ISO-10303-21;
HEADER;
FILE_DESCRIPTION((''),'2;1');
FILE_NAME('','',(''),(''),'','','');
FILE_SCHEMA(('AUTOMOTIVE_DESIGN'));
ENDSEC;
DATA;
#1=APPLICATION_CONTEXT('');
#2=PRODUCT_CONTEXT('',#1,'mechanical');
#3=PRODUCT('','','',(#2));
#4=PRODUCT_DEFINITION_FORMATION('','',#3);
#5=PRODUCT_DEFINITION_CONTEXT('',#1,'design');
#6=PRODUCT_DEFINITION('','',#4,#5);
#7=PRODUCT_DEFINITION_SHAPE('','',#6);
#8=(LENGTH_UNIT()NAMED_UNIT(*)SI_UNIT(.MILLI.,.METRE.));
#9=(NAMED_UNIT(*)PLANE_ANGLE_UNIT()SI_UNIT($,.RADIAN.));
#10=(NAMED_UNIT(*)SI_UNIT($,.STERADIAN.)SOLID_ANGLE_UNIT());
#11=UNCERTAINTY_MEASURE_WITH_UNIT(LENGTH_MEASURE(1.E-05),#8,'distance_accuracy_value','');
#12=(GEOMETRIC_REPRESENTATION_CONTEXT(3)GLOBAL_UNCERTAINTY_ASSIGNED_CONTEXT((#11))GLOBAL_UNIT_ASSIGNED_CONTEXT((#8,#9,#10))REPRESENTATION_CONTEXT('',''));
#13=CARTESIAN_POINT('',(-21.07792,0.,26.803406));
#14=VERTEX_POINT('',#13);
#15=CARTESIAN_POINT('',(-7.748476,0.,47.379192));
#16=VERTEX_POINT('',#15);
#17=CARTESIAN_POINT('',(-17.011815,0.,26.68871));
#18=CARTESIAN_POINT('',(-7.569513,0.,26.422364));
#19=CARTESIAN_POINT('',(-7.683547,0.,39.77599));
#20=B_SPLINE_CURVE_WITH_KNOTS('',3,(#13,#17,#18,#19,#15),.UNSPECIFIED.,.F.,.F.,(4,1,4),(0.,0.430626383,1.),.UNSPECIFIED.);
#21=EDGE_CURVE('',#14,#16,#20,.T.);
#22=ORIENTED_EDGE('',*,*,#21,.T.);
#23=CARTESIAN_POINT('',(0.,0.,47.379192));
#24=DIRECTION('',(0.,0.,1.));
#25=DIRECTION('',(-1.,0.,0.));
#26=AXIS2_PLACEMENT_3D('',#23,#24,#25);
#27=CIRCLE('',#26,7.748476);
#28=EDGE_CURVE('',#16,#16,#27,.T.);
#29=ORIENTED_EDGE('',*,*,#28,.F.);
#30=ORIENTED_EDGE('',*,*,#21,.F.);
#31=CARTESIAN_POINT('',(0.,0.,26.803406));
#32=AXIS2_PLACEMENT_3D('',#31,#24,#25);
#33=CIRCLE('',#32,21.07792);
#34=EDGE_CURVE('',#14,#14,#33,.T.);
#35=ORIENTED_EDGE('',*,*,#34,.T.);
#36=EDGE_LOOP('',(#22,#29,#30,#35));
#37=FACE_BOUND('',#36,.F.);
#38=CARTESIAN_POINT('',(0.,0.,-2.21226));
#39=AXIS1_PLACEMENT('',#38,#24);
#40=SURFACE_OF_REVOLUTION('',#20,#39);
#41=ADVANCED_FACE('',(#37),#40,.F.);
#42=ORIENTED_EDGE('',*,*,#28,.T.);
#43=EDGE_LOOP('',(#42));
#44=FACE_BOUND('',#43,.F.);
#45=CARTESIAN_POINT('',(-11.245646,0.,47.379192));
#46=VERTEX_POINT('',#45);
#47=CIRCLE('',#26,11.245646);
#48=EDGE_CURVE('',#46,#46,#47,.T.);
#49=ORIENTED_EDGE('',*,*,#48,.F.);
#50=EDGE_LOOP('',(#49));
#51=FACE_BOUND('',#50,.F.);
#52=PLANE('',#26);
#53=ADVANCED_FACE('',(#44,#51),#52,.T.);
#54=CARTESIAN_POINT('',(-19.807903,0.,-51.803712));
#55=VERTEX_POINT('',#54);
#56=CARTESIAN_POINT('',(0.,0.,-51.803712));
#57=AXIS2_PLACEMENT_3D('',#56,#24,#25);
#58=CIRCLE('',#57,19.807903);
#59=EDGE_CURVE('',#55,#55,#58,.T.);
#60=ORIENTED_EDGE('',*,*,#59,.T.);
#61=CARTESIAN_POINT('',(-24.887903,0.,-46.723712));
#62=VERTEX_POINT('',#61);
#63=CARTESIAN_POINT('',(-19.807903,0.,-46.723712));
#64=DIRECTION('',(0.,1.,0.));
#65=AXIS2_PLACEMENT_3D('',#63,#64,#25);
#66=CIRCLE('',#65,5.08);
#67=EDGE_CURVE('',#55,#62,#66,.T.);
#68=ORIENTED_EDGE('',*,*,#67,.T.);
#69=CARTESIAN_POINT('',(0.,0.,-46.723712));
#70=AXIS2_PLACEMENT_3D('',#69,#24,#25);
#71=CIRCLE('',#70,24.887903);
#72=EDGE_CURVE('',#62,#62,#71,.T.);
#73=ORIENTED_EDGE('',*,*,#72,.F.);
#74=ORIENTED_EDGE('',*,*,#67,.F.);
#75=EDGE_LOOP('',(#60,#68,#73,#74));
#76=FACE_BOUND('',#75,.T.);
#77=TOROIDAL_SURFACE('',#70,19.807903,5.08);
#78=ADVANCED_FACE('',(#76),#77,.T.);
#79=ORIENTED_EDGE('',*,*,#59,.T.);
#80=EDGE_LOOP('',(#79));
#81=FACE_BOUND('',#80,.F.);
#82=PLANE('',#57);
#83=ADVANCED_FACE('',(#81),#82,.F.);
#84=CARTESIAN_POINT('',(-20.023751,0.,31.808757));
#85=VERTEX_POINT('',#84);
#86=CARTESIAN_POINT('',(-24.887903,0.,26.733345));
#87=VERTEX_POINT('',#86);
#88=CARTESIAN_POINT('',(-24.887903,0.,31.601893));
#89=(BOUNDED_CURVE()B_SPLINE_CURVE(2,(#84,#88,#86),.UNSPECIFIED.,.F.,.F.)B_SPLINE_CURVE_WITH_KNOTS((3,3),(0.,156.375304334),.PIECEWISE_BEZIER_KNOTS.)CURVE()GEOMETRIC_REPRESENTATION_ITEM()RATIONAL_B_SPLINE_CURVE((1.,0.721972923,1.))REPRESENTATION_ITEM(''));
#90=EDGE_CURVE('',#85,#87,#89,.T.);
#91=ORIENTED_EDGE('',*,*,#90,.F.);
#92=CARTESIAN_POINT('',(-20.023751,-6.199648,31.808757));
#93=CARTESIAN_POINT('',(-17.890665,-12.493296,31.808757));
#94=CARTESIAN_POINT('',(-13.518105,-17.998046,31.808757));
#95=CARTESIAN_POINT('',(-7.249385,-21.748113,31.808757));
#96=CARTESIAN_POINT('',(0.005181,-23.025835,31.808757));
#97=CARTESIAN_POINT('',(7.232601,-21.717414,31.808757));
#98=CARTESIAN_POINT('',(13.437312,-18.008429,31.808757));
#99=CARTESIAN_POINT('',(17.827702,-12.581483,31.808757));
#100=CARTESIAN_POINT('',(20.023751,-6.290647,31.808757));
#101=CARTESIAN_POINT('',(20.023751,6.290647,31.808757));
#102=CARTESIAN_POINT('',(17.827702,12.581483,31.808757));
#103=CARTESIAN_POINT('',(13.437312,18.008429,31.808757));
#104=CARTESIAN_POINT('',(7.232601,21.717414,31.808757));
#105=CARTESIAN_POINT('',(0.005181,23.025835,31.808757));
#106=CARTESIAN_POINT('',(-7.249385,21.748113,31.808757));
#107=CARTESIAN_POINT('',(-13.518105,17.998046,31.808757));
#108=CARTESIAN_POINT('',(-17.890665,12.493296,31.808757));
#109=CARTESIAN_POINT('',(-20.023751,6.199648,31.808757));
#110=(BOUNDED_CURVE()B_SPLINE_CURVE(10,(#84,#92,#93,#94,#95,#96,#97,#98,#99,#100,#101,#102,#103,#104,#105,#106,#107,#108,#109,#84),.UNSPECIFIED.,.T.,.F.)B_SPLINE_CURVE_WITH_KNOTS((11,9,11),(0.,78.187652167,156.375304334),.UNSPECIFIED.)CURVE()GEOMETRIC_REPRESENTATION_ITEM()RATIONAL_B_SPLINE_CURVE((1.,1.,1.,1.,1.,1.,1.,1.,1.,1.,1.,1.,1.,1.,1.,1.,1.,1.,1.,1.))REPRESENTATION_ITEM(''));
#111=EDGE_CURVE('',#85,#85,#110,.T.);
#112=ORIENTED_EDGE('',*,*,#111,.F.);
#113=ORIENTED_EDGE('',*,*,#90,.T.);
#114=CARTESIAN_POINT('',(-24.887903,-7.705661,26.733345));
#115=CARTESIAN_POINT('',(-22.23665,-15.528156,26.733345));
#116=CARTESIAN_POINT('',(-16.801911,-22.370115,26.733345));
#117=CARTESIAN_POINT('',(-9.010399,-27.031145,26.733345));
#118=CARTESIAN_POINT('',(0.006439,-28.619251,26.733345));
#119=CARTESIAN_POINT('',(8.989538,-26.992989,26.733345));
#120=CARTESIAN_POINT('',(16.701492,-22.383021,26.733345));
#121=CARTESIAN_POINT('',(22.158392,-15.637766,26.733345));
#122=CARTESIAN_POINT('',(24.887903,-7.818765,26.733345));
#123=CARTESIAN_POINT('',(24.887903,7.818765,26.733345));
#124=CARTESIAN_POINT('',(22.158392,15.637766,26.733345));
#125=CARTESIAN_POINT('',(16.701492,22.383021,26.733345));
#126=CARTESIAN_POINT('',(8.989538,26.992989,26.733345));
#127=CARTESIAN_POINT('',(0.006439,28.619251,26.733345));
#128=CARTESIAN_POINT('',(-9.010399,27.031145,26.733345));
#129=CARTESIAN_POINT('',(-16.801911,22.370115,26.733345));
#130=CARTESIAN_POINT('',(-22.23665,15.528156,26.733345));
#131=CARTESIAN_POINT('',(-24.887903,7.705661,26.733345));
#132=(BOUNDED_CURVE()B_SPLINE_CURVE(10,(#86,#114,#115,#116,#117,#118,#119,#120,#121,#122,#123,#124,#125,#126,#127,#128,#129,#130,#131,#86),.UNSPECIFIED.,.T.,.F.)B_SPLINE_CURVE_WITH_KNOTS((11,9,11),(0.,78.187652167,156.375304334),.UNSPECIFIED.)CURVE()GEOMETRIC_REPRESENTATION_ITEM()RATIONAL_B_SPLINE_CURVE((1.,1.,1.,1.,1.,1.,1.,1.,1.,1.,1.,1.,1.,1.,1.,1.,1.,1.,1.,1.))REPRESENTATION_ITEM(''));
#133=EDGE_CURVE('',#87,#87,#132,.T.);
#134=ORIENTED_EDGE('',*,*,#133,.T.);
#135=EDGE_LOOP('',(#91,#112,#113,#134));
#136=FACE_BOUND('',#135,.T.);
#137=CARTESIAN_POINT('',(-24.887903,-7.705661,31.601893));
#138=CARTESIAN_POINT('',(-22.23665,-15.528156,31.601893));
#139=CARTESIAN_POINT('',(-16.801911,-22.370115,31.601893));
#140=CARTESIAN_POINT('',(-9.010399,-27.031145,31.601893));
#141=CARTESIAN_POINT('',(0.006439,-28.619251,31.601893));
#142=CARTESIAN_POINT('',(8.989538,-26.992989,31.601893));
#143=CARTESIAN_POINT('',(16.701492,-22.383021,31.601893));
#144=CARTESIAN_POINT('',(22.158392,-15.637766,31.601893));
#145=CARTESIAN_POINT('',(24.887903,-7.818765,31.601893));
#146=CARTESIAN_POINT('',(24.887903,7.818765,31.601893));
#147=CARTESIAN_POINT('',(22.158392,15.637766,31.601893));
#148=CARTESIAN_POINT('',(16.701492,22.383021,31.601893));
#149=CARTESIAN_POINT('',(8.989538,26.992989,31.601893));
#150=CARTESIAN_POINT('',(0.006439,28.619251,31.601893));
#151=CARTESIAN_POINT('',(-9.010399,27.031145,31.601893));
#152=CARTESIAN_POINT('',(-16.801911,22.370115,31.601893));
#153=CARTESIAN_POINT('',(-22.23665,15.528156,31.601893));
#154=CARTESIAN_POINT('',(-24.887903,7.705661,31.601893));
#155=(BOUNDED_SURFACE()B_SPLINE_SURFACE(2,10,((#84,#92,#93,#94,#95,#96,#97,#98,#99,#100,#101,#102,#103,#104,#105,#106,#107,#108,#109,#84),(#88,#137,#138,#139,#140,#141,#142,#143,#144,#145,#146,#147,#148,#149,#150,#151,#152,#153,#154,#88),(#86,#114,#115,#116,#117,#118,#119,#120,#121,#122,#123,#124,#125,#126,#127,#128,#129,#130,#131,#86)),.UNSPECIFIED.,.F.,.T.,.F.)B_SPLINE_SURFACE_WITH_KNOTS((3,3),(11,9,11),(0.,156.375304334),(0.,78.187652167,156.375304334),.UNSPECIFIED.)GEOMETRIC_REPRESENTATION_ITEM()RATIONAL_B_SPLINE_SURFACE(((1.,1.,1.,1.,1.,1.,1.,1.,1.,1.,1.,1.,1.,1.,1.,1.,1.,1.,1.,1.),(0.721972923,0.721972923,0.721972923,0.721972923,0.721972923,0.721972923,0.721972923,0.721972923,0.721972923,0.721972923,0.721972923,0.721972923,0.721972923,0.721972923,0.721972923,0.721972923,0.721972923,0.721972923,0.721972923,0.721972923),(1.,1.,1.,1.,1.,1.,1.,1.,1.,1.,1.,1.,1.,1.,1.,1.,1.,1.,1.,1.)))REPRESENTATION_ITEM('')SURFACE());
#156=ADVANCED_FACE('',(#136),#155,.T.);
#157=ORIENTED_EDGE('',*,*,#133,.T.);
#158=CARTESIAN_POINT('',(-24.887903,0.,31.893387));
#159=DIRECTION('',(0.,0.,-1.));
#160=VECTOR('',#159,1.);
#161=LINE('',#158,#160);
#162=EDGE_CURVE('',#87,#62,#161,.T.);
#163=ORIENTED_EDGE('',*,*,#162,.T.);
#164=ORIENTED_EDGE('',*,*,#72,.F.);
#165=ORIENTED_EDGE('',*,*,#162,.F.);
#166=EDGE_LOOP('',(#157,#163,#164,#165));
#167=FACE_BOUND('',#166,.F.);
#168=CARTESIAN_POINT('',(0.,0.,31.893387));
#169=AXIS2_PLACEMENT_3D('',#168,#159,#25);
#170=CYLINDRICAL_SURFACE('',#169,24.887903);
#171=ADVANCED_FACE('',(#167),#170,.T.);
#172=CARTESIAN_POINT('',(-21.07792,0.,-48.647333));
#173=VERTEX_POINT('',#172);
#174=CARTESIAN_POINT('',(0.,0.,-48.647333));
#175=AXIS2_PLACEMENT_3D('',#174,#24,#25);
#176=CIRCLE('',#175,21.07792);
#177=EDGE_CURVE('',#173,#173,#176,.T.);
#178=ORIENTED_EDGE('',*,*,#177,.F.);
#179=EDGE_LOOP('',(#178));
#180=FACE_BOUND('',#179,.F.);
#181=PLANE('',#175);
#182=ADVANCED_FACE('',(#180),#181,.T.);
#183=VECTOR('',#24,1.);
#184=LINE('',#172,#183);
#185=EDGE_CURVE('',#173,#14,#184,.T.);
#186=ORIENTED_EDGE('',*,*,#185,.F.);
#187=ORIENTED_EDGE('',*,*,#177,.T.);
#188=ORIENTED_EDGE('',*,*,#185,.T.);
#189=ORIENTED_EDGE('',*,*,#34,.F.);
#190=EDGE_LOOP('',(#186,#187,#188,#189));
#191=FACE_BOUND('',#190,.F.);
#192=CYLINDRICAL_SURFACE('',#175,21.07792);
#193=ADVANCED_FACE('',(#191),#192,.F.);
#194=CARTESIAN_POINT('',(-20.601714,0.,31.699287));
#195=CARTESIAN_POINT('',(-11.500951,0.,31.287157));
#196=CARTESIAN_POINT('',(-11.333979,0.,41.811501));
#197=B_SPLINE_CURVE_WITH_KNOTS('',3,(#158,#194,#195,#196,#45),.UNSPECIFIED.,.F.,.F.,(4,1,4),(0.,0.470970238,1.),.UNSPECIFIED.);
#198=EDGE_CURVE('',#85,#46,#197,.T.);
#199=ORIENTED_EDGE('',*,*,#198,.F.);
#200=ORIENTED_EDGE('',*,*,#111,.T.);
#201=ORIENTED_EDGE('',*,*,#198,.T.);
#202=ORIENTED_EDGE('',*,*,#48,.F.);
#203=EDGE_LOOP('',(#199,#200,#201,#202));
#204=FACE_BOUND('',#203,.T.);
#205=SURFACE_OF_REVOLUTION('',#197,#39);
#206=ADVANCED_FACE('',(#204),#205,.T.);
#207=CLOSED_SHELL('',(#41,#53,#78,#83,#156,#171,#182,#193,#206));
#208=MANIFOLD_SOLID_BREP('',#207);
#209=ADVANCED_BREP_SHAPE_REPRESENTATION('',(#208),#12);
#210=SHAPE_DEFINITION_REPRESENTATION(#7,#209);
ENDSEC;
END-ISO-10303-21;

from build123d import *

# Parameters (mm, degrees)
F2_R = 5.08


with BuildPart() as f1:
    # F0 (on Front) → F1 (revolve)
    with BuildSketch(Plane.XZ):
        with BuildLine():
            add(Edge.make_bspline(
                [(-24.8879026622, 31.8933874369), (-20.6017141272, 31.6992866838), (-11.5009510836, 31.2871571318), (-11.333978859, 41.8115008895), (-11.2456455827, 47.3791919649)],
                knots=[0, 0, 0, 0, 0.4709702378, 1, 1, 1, 1], degree=3))
            Line((-24.8879026622, 31.8933874369), (-24.8879026622, -51.8037118018))
            Line((-24.8879026622, -51.8037118018), (0, -51.8037118018))
            Line((0, -51.8037118018), (0, -48.6473329365))
            Line((0, -48.6473329365), (-21.0779197514, -48.6473329365))
            Line((-21.0779197514, -48.6473329365), (-21.0779197514, 26.8034059554))
            add(Edge.make_bspline(
                [(-21.0779197514, 26.8034059554), (-17.0118151699, 26.6887101437), (-7.5695126443, 26.4223636859), (-7.6835473889, 39.7759896477), (-7.7484757639, 47.3791919649)],
                knots=[0, 0, 0, 0, 0.4306263828, 1, 1, 1, 1], degree=3))
            Line((-7.7484757639, 47.3791919649), (-11.2456455827, 47.3791919649))
        make_face()
    revolve(axis=Axis((0, 0, -2.2122599185), (0, 0, 1)))

    # F2
    f2_edges = [f1.edges().sort_by_distance(p)[0] for p in [
        (24.887903, 0, 31.893387),
        (24.887903, 0, -51.803712),
    ]]
    fillet(f2_edges, radius=F2_R)


solid = f1.part
